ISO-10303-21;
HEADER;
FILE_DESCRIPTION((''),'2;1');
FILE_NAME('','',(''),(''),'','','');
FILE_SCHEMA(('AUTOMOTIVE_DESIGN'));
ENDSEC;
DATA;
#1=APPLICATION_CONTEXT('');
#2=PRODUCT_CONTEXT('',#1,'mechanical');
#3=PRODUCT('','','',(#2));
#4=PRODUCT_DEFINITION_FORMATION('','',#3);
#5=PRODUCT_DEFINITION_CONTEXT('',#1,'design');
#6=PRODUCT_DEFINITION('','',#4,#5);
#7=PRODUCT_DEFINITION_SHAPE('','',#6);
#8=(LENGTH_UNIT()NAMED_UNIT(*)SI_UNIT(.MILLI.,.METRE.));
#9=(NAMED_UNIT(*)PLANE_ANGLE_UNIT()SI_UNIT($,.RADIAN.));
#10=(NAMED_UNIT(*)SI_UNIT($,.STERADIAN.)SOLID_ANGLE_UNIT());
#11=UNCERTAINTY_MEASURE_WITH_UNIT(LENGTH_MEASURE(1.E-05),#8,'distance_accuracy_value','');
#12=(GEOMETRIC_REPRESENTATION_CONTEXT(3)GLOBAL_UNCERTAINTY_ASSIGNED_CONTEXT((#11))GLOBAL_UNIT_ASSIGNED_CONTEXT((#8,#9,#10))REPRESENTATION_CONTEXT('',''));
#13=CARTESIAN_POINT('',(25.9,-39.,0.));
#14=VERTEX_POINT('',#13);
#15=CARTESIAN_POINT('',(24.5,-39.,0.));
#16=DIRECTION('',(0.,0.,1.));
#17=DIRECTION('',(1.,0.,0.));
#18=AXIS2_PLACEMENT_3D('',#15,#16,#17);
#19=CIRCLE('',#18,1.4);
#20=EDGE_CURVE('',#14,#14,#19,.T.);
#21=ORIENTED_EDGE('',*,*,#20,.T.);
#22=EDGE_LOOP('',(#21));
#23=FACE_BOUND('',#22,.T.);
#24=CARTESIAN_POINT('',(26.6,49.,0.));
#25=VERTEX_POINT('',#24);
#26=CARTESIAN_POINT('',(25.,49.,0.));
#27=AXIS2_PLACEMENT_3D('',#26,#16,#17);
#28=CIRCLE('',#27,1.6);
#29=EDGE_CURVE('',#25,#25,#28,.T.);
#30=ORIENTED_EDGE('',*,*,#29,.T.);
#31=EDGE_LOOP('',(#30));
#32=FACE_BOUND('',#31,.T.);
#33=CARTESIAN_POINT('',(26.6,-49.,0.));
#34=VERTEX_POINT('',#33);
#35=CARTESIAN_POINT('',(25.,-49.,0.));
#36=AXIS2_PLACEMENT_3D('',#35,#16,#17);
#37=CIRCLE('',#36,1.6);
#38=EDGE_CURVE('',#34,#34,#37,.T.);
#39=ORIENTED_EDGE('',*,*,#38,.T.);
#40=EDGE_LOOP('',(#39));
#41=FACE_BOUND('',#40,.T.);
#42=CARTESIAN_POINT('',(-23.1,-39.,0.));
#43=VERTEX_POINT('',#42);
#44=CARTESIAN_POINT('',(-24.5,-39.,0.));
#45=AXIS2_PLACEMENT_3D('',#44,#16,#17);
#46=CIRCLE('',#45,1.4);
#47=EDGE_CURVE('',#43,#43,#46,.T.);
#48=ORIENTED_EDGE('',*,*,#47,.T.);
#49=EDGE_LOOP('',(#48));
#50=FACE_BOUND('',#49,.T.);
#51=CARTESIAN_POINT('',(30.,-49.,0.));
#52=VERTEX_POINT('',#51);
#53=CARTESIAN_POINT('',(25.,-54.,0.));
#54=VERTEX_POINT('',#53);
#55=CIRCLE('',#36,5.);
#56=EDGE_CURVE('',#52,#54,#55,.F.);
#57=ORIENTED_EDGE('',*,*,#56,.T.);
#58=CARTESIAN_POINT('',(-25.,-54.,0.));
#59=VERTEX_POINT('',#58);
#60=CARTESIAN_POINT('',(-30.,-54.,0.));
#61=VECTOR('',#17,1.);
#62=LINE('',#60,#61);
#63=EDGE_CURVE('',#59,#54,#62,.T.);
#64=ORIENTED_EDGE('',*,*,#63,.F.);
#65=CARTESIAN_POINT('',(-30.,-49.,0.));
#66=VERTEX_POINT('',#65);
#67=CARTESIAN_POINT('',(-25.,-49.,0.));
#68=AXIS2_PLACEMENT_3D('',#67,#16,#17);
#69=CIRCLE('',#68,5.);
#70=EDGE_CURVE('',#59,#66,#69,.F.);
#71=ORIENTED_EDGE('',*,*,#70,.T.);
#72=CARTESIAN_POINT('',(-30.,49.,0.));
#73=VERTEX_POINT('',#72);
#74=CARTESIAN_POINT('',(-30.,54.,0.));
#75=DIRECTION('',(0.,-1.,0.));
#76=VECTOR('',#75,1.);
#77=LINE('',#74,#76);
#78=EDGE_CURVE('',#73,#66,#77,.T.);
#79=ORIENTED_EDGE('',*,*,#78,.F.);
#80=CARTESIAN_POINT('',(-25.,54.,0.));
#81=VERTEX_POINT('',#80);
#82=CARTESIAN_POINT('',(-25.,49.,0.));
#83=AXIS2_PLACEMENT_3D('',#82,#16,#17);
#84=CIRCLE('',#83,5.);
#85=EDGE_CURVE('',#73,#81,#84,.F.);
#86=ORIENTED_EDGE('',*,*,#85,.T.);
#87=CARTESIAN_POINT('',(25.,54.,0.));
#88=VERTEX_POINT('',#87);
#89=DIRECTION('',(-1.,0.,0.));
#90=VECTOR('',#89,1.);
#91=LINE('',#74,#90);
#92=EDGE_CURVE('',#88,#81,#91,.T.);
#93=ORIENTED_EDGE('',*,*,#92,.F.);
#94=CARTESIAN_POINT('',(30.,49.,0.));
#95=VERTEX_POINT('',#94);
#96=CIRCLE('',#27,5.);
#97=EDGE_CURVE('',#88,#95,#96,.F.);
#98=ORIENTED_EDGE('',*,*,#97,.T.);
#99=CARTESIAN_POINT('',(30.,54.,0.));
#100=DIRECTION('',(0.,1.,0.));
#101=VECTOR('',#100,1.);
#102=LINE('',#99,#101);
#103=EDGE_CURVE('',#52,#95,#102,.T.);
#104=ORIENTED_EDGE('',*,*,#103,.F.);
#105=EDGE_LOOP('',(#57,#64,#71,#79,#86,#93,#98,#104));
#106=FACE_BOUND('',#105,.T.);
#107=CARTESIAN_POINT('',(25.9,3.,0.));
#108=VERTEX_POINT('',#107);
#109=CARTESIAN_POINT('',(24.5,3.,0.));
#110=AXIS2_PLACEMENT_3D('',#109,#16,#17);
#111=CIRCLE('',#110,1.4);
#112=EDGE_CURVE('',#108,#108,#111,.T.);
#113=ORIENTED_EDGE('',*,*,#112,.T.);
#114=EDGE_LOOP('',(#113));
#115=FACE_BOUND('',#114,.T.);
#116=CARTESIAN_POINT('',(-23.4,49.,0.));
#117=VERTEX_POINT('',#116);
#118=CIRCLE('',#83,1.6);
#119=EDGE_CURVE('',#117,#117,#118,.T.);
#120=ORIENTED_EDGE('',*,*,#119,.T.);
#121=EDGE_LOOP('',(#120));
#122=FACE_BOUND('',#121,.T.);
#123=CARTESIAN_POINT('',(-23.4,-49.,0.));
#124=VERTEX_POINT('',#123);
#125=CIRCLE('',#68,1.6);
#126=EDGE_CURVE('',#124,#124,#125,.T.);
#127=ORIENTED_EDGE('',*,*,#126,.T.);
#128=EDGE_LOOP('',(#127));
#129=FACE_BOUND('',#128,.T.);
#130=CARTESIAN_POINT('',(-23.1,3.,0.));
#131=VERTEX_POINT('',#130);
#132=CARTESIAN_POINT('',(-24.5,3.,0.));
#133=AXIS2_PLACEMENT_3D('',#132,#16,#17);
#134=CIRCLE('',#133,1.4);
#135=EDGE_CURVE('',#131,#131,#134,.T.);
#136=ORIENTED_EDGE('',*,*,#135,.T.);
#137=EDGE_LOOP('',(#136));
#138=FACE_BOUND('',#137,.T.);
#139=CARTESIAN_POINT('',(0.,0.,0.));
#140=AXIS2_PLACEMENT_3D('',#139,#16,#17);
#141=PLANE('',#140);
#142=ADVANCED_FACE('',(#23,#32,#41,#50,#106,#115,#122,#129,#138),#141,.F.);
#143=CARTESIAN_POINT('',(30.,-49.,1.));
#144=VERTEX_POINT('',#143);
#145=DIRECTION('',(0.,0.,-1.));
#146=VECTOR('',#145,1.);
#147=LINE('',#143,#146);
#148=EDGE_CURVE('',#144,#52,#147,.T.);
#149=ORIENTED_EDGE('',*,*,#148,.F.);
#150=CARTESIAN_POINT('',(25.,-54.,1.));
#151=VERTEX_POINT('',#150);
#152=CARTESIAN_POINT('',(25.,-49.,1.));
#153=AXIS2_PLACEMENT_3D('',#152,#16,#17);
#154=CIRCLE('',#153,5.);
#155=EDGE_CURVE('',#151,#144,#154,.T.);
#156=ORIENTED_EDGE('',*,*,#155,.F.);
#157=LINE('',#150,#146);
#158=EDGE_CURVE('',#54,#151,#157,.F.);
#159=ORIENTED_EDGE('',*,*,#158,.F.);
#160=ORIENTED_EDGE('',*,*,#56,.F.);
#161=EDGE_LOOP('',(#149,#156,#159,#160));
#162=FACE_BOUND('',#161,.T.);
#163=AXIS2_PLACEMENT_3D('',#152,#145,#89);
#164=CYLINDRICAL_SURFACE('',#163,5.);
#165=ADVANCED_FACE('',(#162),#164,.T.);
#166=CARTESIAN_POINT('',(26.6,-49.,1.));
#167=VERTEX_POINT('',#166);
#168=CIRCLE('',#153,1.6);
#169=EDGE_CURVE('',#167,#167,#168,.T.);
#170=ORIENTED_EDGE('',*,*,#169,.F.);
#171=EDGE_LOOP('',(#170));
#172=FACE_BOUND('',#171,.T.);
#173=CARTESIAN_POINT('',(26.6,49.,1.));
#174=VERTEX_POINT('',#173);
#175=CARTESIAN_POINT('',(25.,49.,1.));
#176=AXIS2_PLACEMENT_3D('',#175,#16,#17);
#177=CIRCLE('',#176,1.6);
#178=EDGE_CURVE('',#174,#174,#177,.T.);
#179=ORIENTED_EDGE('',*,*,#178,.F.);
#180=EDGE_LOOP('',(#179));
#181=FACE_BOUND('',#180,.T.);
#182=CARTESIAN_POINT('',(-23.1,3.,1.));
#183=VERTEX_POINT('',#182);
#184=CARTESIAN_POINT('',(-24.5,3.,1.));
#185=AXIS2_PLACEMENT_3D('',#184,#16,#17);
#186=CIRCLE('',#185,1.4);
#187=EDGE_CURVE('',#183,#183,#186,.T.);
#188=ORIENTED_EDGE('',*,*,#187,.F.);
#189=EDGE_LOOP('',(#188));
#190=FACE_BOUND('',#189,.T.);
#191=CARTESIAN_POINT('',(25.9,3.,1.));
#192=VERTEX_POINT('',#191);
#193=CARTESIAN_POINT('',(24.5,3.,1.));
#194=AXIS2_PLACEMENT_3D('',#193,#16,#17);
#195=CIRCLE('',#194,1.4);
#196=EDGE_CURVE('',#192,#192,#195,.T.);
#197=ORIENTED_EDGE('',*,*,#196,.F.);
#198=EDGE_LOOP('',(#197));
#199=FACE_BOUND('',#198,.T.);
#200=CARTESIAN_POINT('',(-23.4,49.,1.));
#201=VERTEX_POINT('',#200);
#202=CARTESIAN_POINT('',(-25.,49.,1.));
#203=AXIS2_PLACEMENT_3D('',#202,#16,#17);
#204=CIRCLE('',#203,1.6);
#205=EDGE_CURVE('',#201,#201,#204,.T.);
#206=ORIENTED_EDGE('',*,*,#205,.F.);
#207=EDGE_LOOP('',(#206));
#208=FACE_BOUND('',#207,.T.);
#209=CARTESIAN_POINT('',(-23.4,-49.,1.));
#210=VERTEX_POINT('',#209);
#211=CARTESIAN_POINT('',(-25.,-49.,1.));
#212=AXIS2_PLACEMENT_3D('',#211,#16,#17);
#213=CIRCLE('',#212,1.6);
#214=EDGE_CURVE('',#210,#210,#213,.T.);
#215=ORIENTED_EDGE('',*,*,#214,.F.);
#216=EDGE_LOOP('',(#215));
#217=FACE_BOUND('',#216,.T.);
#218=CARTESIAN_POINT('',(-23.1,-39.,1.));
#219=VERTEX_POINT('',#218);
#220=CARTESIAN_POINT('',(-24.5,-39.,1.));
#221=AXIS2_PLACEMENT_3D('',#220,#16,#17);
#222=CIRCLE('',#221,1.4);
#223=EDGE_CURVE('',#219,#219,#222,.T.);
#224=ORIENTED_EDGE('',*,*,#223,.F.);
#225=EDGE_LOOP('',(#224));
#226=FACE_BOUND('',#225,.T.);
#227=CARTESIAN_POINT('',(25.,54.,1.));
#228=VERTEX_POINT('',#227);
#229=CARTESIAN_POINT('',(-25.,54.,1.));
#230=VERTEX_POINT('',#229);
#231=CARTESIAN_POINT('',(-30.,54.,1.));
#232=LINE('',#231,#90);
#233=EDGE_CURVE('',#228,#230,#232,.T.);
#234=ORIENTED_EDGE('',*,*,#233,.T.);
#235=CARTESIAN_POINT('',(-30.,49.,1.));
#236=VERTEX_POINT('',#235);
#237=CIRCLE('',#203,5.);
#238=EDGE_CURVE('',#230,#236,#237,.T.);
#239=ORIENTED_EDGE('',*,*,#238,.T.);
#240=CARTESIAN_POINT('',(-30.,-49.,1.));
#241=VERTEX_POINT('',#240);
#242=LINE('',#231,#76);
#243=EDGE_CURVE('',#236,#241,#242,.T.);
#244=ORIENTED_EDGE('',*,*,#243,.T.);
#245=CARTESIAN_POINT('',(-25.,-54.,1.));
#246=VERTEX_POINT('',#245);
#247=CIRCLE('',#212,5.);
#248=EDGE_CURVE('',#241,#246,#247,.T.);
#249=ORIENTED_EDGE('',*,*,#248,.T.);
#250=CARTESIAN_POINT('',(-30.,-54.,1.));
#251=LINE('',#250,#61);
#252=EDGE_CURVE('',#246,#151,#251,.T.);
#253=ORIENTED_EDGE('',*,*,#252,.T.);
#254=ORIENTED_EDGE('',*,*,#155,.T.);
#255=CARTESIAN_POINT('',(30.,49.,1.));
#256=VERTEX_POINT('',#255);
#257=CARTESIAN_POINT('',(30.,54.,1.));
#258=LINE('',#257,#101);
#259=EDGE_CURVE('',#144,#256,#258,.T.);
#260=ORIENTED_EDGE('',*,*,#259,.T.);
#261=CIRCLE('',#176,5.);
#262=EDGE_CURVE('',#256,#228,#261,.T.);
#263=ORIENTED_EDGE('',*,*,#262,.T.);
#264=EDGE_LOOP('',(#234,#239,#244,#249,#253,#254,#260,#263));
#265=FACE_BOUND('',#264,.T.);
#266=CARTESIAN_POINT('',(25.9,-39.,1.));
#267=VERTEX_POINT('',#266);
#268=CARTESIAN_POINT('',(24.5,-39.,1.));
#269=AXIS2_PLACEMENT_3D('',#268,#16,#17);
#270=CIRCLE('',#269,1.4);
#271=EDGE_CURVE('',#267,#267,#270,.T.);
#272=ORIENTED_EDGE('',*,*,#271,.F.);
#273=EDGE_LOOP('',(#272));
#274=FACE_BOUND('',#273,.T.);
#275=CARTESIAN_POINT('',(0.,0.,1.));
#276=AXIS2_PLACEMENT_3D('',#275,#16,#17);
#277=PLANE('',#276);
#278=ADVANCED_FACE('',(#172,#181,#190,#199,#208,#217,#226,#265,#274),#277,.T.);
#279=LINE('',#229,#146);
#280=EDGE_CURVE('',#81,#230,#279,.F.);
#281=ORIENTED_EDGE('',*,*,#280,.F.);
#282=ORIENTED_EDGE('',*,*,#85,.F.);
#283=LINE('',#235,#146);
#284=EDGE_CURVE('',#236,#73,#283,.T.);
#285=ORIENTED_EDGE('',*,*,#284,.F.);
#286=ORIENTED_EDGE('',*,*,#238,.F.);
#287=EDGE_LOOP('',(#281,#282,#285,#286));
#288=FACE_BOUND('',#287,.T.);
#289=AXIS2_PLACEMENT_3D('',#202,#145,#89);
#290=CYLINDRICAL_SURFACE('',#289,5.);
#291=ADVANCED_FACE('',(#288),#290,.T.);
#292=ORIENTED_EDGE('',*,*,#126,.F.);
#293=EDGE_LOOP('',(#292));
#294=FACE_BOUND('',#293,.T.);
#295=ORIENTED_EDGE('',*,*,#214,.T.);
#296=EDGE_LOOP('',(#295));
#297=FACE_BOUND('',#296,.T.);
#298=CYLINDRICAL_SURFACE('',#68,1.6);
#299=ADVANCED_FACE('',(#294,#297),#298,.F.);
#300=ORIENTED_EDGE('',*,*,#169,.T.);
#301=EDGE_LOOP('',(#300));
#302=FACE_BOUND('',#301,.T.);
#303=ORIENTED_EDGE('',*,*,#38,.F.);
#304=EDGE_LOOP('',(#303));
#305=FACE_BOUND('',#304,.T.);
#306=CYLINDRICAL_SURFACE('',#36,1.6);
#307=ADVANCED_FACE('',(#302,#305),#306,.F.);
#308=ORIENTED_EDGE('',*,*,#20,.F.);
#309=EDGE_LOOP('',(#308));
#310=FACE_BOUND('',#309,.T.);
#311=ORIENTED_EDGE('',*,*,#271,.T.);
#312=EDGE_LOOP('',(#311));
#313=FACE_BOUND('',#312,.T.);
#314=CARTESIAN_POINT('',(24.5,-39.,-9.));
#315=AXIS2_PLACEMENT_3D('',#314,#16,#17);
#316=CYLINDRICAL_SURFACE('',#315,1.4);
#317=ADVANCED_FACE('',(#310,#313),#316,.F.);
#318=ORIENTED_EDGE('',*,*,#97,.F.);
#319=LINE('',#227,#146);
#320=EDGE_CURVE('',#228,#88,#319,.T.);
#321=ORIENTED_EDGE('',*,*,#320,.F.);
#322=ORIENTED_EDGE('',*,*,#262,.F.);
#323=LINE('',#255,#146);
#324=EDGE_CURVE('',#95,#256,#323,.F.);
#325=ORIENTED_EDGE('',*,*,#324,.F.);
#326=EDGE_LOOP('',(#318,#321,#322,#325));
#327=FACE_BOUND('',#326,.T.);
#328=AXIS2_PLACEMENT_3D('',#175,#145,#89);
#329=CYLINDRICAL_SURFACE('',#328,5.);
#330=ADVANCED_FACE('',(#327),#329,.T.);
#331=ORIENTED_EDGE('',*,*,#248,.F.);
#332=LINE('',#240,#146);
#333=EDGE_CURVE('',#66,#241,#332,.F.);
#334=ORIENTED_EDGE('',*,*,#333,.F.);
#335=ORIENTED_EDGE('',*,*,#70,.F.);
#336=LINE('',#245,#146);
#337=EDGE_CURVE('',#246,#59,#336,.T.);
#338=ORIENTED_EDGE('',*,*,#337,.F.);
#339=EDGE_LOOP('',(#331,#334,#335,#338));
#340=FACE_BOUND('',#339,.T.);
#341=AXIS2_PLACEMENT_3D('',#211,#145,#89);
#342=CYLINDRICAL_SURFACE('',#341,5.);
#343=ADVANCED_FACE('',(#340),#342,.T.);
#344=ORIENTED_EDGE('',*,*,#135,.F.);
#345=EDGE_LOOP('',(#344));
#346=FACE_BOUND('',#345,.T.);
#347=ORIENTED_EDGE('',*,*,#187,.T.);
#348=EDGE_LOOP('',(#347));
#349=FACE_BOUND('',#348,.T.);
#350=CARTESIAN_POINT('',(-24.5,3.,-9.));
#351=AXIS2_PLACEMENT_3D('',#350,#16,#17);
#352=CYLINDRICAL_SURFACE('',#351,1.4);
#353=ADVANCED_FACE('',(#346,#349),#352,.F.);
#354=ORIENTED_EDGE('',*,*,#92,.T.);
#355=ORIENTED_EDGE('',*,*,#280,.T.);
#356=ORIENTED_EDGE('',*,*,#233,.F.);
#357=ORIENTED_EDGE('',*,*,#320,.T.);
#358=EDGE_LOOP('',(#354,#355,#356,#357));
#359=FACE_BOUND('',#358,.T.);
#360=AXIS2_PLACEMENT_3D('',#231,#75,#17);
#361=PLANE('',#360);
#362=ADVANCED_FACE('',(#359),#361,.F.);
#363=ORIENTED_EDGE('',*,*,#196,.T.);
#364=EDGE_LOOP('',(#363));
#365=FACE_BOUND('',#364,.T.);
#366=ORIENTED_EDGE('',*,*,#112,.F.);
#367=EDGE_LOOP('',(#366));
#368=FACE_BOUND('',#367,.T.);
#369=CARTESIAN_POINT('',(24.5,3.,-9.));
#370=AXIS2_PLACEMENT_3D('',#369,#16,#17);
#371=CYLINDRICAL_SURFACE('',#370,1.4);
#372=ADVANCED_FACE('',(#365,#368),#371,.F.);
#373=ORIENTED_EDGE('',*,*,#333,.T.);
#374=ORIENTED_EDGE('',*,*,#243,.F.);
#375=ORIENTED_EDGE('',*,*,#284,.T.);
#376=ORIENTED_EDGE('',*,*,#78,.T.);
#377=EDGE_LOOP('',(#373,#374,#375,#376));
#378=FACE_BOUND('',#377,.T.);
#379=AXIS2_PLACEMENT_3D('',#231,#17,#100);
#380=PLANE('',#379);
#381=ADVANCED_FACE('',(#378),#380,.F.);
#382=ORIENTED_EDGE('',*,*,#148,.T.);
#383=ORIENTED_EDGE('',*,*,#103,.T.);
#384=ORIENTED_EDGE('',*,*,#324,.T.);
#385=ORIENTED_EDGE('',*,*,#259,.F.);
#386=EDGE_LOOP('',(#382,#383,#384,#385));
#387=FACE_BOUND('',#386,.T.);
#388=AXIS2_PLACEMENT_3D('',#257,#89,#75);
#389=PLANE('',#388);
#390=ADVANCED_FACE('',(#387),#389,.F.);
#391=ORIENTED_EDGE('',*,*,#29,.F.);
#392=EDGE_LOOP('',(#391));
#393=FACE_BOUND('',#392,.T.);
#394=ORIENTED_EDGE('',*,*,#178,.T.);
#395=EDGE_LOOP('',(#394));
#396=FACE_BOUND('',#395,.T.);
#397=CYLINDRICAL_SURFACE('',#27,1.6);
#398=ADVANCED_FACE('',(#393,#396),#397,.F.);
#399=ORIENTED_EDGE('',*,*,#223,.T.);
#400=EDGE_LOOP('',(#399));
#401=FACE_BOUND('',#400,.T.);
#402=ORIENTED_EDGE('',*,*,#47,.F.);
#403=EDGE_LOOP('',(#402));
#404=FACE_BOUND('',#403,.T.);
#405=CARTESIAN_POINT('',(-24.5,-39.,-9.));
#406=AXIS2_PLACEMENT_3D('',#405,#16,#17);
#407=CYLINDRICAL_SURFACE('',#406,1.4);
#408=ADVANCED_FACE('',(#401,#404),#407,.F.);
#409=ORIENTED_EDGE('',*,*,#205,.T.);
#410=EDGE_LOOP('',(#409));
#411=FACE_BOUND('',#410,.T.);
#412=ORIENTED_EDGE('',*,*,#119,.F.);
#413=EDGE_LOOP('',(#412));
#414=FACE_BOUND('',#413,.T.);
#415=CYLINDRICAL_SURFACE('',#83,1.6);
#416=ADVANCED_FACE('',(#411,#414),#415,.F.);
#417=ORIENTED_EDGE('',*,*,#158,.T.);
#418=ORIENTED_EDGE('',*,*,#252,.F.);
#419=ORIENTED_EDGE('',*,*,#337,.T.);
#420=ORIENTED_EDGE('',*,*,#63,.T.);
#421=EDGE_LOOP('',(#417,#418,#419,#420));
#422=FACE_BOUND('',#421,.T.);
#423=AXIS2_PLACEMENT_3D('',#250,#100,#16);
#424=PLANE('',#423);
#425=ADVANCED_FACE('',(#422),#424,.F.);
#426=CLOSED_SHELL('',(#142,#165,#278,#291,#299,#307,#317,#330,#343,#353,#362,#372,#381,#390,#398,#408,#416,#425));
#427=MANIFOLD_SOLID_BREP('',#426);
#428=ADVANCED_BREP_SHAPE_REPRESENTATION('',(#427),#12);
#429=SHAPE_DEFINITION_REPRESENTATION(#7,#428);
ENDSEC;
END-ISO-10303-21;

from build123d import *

# Parameters (mm, degrees)
SKETCH_1_W          = 60
SKETCH_1_H          = 108
EXTRUDE_1_DEPTH     = 1
SKETCH_4_R          = 1.4
CUT_EXTRUDE_2_DEPTH = 10
SKETCH_9_R          = 1.6
CUT_EXTRUDE_5_DEPTH = 62.781874365
FILLET_1_R          = 5


with BuildPart() as part:
    # ｽｹｯﾁ1 → ﾎﾞｽ - 押し出し1 (new body)
    with BuildSketch(Plane.XY):
        Rectangle(SKETCH_1_W, SKETCH_1_H)
    extrude(amount=EXTRUDE_1_DEPTH)

    # ｽｹｯﾁ4 → ｶｯﾄ - 押し出し2 (cut)
    with BuildSketch(Plane.XY.offset(1)):
        with Locations((-24.5, 3)):
            Circle(SKETCH_4_R)
        with Locations((-24.5, -39)):
            Circle(SKETCH_4_R)
        with Locations((24.5, 3)):
            Circle(SKETCH_4_R)
        with Locations((24.5, -39)):
            Circle(SKETCH_4_R)
    extrude(amount=-CUT_EXTRUDE_2_DEPTH, mode=Mode.SUBTRACT)

    # ｽｹｯﾁ9 → ｶｯﾄ - 押し出し5 (cut, through all)
    with BuildSketch(Plane.XY.offset(1)):
        with Locations((25, 49)):
            Circle(SKETCH_9_R)
        with Locations((-25, 49)):
            Circle(SKETCH_9_R)
        with Locations((-25, -49)):
            Circle(SKETCH_9_R)
        with Locations((25, -49)):
            Circle(SKETCH_9_R)
    extrude(amount=-CUT_EXTRUDE_5_DEPTH, mode=Mode.SUBTRACT)

    # ﾌｨﾚｯﾄ1
    fillet_1_edges = [part.edges().sort_by_distance(p)[0] for p in [
        (30, -54, 0.5),
        (-30, -54, 0.5),
        (-30, 54, 0.5),
        (30, 54, 0.5),
    ]]
    fillet(fillet_1_edges, radius=FILLET_1_R)


solid = part.part
